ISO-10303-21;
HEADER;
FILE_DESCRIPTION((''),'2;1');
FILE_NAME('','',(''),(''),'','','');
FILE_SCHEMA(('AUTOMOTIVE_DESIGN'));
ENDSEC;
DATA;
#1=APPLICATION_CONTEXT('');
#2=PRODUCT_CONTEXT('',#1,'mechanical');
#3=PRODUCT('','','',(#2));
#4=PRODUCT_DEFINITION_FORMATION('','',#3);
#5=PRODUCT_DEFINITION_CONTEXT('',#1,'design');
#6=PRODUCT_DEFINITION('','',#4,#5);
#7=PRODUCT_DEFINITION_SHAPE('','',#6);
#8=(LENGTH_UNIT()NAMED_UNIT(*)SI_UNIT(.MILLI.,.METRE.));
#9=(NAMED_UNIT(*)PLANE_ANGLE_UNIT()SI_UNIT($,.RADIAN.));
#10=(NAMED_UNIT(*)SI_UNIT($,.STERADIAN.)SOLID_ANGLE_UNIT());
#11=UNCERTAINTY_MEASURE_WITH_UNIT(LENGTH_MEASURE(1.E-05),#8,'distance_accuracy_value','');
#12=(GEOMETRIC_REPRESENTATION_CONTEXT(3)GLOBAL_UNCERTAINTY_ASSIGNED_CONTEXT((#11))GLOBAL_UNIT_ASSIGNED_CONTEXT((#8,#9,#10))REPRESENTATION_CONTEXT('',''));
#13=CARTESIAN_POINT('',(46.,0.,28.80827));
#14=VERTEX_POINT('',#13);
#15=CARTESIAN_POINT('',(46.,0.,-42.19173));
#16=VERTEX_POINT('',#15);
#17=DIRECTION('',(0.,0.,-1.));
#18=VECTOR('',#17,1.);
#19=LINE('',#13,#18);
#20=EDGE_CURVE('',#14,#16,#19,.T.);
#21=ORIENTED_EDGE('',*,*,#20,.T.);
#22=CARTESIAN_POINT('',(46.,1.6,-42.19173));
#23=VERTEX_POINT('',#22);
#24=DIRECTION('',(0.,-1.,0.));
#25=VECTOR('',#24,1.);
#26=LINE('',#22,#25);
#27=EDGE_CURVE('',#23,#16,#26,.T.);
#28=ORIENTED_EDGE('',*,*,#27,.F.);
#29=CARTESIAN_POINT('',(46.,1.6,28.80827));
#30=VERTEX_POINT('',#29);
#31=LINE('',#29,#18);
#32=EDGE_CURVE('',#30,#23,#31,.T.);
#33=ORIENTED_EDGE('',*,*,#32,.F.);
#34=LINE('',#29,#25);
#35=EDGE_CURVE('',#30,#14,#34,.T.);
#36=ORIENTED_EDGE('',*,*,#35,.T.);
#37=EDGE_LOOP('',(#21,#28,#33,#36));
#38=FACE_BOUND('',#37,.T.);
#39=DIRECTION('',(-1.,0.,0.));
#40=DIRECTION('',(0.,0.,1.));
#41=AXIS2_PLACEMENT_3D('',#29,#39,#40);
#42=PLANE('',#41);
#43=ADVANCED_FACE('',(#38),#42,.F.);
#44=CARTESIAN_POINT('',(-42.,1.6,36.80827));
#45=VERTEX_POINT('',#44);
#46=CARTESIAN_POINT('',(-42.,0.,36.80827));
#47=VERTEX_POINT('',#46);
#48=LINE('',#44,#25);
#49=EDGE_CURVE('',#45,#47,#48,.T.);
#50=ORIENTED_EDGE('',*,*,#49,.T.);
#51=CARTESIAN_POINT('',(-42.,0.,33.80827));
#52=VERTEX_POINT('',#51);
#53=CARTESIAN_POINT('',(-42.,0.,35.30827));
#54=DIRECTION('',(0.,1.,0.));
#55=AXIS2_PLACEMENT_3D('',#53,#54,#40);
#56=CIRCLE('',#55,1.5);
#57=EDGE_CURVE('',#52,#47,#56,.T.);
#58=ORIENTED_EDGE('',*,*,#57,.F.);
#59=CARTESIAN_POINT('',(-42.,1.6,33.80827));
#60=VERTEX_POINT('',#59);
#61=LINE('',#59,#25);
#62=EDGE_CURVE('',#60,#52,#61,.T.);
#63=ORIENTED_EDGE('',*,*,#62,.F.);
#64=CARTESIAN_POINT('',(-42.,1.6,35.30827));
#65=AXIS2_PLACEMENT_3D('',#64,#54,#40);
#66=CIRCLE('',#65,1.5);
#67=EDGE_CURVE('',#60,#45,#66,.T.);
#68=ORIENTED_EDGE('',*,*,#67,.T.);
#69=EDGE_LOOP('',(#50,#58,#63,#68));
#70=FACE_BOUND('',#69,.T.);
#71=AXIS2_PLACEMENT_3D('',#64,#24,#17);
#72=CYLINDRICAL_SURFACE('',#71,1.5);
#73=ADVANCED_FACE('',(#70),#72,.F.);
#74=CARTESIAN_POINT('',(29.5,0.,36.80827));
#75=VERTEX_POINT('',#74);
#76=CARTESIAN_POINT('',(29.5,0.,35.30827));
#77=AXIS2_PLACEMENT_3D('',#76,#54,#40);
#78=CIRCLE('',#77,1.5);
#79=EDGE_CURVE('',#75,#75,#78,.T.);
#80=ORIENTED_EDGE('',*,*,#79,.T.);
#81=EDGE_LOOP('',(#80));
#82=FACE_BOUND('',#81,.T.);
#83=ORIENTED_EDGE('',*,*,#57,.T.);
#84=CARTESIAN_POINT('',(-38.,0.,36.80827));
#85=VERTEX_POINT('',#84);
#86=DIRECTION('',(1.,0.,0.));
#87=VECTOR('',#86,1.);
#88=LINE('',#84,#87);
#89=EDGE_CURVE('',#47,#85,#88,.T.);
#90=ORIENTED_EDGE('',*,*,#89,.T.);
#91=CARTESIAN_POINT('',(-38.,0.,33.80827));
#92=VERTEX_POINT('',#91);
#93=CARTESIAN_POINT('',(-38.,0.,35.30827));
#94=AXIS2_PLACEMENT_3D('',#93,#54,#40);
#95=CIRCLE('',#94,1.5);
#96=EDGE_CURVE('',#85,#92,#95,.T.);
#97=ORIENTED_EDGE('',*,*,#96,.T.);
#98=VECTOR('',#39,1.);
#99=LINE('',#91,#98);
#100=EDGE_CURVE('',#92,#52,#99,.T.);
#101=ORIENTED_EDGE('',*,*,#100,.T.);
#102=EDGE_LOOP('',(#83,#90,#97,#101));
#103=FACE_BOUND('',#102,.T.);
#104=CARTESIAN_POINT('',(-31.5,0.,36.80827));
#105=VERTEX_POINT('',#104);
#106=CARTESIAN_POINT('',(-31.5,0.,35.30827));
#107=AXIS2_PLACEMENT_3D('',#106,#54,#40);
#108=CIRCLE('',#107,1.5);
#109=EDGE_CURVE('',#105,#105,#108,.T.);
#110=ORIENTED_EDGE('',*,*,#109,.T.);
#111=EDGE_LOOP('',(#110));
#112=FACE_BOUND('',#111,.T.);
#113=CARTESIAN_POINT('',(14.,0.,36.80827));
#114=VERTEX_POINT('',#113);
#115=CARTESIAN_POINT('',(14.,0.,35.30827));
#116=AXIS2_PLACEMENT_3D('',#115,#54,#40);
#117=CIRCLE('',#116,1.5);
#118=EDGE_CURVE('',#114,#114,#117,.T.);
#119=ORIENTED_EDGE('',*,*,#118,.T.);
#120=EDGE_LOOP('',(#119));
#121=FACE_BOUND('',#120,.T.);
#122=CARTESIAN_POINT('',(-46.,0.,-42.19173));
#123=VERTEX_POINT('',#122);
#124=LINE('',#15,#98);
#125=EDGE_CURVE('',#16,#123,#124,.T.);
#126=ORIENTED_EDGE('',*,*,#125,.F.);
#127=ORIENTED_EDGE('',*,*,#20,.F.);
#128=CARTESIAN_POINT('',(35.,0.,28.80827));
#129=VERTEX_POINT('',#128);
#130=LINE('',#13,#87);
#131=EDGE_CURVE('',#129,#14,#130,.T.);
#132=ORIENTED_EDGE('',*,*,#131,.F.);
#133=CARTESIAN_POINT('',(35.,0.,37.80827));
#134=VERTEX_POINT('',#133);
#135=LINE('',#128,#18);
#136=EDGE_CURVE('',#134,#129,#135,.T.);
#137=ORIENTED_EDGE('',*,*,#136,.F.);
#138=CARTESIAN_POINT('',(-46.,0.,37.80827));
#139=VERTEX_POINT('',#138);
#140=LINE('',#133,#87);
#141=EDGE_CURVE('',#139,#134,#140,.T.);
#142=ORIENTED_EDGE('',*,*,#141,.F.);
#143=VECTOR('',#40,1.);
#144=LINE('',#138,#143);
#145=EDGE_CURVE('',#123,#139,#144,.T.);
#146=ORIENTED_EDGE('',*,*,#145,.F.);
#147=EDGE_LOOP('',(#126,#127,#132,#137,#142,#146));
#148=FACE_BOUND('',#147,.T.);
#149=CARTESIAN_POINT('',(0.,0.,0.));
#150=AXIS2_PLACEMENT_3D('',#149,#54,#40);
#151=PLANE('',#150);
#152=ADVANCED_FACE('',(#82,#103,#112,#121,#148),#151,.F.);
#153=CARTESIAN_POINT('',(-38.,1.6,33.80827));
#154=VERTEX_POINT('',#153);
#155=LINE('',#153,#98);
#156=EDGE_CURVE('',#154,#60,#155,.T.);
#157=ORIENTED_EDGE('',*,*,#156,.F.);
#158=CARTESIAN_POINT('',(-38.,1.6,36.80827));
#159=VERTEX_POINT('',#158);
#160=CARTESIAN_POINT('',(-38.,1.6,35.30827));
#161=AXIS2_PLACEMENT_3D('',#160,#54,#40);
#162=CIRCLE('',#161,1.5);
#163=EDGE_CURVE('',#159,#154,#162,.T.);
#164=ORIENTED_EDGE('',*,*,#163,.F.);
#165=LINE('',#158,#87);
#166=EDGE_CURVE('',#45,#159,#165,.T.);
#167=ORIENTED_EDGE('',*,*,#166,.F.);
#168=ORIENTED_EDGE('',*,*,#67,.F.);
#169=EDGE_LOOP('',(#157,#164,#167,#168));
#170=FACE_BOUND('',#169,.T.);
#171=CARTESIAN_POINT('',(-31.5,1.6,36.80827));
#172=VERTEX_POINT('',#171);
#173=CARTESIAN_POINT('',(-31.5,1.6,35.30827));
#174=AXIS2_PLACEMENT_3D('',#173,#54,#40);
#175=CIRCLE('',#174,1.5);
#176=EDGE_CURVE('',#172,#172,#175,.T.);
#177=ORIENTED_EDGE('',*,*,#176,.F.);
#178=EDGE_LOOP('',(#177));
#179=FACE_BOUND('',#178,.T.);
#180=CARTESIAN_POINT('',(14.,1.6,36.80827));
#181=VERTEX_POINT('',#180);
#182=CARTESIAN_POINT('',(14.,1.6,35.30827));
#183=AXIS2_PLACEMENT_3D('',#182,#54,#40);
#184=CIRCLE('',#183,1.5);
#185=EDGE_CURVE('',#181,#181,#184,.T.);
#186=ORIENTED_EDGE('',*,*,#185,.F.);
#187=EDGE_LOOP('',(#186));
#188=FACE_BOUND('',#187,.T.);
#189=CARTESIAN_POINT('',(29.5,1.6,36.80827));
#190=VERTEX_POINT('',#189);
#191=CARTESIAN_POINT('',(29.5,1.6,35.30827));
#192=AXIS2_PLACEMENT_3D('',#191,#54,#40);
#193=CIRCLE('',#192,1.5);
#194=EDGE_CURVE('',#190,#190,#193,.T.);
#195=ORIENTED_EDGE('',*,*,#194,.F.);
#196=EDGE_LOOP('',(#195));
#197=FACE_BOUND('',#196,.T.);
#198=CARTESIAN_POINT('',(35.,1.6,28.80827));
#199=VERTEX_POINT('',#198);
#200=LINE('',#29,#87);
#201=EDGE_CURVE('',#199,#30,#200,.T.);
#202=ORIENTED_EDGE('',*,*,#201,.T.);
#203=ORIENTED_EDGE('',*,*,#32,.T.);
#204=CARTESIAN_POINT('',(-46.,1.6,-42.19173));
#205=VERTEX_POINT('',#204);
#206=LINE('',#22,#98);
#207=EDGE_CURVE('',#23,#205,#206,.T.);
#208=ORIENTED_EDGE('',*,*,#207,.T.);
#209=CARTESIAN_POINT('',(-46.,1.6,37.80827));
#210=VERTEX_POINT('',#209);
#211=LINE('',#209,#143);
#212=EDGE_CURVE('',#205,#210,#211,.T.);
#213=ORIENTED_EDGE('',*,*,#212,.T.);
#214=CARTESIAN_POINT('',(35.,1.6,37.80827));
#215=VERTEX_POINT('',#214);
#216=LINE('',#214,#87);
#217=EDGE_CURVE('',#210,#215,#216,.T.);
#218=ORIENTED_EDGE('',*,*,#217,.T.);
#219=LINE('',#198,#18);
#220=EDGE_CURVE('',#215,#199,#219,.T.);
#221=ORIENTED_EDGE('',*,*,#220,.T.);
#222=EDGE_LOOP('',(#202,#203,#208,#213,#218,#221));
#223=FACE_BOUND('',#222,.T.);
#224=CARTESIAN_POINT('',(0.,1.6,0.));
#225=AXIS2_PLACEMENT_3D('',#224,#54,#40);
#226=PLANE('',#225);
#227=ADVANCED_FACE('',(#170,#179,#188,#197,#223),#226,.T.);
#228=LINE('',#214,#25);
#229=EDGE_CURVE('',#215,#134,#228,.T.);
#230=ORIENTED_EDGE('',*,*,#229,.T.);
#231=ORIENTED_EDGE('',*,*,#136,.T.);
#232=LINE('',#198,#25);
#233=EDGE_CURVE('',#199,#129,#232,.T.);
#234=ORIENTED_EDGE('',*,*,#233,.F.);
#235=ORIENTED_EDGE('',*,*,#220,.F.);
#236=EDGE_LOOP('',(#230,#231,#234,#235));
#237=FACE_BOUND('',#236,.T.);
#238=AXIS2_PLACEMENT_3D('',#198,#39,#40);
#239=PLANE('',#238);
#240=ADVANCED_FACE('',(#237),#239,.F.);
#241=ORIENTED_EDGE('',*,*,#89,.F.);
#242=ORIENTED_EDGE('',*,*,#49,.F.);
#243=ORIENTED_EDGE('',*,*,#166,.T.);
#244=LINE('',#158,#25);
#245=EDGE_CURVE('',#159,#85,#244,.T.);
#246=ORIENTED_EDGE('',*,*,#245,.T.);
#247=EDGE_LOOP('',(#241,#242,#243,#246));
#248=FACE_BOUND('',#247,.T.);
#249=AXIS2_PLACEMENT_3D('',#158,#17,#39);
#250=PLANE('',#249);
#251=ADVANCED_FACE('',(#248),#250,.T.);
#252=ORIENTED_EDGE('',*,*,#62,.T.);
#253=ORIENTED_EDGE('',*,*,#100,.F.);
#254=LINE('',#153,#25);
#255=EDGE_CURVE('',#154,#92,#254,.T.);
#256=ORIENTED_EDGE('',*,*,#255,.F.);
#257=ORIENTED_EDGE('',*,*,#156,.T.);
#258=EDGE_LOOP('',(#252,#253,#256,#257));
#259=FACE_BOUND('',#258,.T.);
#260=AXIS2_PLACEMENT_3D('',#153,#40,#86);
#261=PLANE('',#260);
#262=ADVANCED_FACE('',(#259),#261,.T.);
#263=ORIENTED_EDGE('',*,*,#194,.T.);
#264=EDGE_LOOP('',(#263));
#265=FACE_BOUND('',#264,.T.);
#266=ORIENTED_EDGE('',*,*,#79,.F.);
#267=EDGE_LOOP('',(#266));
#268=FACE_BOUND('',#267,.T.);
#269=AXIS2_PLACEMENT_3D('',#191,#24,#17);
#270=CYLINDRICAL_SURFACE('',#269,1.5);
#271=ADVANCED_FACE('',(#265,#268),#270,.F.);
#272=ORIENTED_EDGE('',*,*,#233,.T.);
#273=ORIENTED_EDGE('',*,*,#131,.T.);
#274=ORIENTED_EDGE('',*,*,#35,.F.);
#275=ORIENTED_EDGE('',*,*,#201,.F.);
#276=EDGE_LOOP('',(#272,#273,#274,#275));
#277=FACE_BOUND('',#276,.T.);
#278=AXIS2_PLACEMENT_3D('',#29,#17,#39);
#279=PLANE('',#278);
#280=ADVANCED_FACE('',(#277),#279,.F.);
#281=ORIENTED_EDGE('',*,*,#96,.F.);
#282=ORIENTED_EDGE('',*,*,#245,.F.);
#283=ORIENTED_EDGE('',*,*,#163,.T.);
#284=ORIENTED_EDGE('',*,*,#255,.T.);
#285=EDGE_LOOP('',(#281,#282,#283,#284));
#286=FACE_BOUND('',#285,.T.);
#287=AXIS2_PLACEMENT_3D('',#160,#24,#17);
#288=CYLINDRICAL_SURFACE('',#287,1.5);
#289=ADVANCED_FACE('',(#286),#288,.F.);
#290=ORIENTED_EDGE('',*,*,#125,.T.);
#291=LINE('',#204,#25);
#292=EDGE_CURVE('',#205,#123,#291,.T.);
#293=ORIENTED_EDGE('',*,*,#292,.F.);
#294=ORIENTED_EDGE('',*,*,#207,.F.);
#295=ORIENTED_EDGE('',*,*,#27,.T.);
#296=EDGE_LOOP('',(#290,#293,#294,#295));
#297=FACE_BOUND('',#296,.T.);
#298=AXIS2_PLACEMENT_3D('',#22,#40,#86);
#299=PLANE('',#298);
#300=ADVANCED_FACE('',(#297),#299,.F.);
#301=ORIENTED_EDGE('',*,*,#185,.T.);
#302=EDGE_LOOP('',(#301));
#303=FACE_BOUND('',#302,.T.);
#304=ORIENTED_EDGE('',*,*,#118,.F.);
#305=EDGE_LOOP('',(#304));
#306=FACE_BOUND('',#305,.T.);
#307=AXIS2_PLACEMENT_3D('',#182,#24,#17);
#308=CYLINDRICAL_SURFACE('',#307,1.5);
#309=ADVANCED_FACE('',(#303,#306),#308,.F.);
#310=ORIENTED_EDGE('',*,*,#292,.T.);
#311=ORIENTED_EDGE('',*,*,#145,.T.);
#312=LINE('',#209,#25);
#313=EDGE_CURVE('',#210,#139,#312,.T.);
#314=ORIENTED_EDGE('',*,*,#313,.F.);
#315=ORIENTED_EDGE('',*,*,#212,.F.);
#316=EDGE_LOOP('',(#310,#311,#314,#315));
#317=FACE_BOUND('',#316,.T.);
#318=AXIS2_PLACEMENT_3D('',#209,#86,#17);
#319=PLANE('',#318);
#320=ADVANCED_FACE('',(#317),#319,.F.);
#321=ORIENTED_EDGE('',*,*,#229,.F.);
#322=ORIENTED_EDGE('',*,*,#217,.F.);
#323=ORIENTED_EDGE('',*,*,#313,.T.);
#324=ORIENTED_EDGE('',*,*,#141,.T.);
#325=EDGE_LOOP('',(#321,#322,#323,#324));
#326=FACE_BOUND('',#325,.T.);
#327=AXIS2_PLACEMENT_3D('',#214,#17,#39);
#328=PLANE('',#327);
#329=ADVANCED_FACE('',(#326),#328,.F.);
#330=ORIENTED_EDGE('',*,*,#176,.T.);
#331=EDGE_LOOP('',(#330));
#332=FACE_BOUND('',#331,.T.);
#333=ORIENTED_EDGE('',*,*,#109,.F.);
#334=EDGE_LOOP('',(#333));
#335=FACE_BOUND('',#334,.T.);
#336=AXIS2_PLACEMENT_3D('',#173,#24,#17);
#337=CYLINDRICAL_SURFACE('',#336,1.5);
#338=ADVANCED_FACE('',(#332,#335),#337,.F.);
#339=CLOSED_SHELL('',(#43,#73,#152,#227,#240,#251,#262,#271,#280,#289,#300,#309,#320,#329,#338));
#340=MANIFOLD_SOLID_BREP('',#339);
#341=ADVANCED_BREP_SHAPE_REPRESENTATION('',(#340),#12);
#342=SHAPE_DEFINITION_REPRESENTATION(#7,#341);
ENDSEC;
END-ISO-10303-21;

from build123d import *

# Parameters (mm, degrees)
SKETCH1_R           = 1.5
BOSS_EXTRUDE1_DEPTH = 1.6


with BuildPart() as part:
    # Sketch1 → Boss-Extrude1 (new body)
    with BuildSketch(Plane(origin=(0, 0, 0), x_dir=(1, 0, 0), z_dir=(0, 1, 0))):
        Polygon((46, -28.808269535), (35, -28.808269535), (35, -37.808269535), (-46, -37.808269535), (-46, 42.191730465), (46, 42.191730465), align=None)
        with Locations(Location((29.5, -35.308269535, 0), (0, 0, 270))):
            Circle(SKETCH1_R, mode=Mode.SUBTRACT)
        with Locations(Location((14, -35.308269535, 0), (0, 0, 270))):
            Circle(SKETCH1_R, mode=Mode.SUBTRACT)
        with Locations(Location((-31.5, -35.308269535, 0), (0, 0, 270))):
            Circle(SKETCH1_R, mode=Mode.SUBTRACT)
        with BuildLine():
            Line((-38, -36.808269535), (-42, -36.808269535))
            ThreePointArc((-42, -36.808269535), (-43.5, -35.308269535), (-42, -33.808269535))
            Line((-42, -33.808269535), (-38, -33.808269535))
            ThreePointArc((-38, -33.808269535), (-36.5, -35.308269535), (-38, -36.808269535))
        make_face(mode=Mode.SUBTRACT)
    extrude(amount=BOSS_EXTRUDE1_DEPTH)


solid = part.part
